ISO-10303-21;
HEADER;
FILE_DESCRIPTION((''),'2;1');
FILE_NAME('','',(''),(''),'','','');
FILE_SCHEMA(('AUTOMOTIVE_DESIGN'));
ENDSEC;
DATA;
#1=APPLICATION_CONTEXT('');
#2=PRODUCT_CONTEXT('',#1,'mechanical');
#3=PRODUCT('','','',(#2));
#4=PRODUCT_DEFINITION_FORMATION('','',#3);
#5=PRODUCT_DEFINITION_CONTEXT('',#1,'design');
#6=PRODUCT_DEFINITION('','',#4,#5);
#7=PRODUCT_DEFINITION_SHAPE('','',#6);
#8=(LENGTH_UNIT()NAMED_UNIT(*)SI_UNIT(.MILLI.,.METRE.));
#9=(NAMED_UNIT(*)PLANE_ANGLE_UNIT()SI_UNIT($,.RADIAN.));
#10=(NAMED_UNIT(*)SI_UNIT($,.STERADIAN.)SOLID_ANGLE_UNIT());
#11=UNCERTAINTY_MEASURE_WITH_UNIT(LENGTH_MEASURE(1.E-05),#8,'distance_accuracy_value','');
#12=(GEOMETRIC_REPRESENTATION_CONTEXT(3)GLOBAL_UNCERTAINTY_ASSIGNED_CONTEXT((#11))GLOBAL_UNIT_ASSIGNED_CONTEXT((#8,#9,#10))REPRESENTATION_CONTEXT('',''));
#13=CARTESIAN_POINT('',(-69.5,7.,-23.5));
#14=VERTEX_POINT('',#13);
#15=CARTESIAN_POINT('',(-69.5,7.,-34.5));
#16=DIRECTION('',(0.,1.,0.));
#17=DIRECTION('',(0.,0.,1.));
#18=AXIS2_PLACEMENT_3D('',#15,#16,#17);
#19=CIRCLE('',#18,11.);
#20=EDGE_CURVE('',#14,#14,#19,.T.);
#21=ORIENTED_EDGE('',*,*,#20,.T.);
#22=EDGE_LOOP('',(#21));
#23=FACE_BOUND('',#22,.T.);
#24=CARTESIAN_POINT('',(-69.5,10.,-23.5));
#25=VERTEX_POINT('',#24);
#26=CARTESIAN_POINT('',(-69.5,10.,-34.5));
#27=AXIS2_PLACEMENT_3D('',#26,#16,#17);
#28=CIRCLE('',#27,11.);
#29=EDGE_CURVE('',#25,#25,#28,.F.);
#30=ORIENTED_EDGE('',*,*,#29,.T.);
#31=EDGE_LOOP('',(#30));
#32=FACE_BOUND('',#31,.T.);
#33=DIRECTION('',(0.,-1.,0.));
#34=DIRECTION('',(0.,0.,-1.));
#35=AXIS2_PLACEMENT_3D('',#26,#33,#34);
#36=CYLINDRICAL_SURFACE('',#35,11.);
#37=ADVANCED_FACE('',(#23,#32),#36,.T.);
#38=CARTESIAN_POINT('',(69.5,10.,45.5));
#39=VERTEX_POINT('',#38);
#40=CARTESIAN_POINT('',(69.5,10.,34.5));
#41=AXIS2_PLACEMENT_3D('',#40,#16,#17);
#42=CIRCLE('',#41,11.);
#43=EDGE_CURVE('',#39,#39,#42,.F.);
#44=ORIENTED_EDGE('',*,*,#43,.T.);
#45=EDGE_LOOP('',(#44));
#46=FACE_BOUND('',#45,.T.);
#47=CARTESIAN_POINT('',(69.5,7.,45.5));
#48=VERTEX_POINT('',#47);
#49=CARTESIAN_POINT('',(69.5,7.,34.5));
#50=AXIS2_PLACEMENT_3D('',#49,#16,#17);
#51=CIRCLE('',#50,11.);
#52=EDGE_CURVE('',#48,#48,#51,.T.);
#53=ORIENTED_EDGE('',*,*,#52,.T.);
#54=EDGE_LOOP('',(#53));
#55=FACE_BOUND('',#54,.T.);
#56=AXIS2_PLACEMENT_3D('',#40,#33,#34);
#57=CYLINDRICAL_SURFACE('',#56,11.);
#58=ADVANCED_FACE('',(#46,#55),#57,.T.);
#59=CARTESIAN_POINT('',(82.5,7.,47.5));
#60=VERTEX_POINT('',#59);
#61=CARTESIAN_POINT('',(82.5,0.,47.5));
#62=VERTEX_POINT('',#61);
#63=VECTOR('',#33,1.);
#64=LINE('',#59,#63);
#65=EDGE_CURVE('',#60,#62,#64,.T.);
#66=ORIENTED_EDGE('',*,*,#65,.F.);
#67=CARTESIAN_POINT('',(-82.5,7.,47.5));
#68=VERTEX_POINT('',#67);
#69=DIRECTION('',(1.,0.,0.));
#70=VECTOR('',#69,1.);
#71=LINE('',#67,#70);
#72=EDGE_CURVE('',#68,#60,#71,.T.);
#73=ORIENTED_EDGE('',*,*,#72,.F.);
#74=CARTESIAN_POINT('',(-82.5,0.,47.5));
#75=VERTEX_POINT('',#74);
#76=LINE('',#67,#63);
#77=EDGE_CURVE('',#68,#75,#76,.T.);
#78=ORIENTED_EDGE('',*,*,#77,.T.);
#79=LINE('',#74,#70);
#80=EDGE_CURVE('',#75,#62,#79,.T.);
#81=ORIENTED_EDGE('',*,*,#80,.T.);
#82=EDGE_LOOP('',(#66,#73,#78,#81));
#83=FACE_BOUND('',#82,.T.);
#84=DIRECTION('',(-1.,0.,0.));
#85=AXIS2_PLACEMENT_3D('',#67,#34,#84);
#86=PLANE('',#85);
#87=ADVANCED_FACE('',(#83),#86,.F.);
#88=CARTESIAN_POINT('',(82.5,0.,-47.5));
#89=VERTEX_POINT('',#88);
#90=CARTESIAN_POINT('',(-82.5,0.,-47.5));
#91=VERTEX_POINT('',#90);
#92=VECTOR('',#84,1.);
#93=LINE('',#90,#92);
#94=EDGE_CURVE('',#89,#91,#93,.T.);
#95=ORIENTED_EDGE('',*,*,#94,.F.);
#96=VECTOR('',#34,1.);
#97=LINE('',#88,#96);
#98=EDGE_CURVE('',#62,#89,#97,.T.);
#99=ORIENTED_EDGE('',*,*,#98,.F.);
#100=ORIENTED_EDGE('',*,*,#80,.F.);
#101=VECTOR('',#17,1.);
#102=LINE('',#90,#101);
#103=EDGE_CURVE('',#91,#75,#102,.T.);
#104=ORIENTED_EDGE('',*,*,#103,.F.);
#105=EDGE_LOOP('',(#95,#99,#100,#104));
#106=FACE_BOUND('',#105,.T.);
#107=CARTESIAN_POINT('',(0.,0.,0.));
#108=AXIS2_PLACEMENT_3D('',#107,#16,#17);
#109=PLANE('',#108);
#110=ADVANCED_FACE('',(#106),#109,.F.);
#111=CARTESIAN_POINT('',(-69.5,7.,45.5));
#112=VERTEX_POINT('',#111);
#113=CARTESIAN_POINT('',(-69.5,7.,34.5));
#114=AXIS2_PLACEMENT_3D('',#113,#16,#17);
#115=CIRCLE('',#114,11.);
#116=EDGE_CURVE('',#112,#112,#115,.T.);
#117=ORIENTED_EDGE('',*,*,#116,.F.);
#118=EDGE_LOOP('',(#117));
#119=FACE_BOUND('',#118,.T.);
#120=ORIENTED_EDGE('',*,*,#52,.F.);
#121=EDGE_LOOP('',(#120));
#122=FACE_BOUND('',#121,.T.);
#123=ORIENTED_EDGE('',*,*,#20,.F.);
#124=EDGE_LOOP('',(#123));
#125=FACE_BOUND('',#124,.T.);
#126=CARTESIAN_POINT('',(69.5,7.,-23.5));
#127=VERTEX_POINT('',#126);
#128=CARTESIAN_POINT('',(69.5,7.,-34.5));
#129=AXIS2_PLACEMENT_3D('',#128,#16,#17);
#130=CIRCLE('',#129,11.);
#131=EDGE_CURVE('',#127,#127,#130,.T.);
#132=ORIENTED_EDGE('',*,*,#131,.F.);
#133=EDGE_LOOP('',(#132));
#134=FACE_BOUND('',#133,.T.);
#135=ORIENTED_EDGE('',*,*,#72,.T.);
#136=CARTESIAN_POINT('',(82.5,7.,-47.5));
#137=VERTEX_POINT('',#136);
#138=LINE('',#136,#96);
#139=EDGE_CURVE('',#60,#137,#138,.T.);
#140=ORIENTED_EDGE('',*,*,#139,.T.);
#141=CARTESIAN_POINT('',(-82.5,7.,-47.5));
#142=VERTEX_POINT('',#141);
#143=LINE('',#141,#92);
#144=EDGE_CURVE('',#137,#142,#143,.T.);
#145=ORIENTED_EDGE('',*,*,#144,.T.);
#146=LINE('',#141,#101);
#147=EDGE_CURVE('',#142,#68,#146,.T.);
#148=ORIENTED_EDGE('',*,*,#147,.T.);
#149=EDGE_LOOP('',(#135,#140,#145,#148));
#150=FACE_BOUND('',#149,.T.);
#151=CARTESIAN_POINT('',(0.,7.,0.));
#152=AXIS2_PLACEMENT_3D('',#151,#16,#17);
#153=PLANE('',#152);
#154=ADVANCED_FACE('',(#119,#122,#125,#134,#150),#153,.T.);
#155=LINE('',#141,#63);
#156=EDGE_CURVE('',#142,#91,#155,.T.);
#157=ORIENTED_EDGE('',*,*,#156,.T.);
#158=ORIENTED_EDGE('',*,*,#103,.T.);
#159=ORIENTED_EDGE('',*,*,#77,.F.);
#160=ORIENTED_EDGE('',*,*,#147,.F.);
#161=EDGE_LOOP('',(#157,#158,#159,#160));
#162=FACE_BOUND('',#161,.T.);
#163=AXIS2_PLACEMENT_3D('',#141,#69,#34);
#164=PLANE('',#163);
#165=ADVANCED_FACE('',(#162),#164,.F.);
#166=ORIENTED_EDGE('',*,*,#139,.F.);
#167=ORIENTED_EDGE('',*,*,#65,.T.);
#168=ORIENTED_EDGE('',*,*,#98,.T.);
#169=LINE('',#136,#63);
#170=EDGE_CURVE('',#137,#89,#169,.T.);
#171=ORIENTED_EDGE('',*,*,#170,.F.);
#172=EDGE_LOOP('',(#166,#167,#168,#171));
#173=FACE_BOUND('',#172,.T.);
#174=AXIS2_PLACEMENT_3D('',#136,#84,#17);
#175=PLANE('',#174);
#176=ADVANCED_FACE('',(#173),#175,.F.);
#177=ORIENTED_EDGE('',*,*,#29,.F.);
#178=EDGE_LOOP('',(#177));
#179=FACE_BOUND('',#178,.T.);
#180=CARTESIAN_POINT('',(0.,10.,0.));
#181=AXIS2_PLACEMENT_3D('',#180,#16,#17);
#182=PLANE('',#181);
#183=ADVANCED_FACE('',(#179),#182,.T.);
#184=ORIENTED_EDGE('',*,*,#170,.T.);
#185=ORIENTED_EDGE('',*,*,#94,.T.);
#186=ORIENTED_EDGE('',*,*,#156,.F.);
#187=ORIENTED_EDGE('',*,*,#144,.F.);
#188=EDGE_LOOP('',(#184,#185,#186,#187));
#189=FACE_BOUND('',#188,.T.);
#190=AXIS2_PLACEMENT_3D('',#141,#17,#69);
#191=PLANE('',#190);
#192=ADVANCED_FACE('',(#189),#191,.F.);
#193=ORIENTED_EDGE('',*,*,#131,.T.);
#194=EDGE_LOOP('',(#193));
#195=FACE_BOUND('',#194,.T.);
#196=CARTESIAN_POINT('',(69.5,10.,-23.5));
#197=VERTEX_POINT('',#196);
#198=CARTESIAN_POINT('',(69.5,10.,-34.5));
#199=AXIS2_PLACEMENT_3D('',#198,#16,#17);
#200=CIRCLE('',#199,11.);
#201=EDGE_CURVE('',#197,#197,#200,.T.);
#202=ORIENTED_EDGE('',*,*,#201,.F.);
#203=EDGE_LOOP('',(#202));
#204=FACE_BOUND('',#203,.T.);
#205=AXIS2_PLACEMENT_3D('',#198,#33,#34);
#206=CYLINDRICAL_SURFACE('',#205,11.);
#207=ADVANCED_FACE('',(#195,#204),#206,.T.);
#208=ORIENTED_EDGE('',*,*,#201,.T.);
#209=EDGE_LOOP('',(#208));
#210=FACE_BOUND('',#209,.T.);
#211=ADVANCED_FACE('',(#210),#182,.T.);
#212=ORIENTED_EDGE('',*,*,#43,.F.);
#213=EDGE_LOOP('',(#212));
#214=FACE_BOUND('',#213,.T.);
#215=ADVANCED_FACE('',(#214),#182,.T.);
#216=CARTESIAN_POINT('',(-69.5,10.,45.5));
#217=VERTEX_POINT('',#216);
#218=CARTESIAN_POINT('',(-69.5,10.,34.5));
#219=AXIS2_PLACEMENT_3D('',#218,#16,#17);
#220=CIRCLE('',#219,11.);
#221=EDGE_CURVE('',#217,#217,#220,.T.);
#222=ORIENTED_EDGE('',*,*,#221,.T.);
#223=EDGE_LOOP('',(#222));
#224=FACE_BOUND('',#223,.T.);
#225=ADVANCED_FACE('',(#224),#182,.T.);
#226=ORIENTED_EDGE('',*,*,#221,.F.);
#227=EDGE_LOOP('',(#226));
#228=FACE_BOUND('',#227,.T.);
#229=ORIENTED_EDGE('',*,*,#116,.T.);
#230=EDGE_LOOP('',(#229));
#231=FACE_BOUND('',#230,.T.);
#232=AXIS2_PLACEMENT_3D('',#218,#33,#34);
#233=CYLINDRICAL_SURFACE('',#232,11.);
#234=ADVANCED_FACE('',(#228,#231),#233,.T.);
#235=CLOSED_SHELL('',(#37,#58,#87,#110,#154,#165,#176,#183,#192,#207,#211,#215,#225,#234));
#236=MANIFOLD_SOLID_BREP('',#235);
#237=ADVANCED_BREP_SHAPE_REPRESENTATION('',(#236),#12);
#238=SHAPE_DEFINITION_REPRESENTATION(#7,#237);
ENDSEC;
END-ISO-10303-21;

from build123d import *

# Parameters (mm, degrees)
SKETCH_1_W      = 165
SKETCH_1_H      = 95
EXTRUDE_1_DEPTH = 7
SKETCH_2_R      = 11
EXTRUDE_2_DEPTH = 3


with BuildPart() as part:
    # 草图1 → 凸台-拉伸1 (new body)
    with BuildSketch(Plane(origin=(0, 0, 0), x_dir=(1, 0, 0), z_dir=(0, 1, 0))):
        Rectangle(SKETCH_1_W, SKETCH_1_H)
    extrude(amount=EXTRUDE_1_DEPTH)

    # 草图2 → 凸台-拉伸2 (add)
    with BuildSketch(Plane(origin=(0, 7, 0), x_dir=(1, 0, 0), z_dir=(0, 1, 0))):
        with Locations(Location((-69.5, 34.5, 0), (0, 0, 270))):
            Circle(SKETCH_2_R)
        with Locations(Location((-69.5, -34.5, 0), (0, 0, 270))):
            Circle(SKETCH_2_R)
        with Locations(Location((69.5, 34.5, 0), (0, 0, 270))):
            Circle(SKETCH_2_R)
        with Locations(Location((69.5, -34.5, 0), (0, 0, 270))):
            Circle(SKETCH_2_R)
    extrude(amount=EXTRUDE_2_DEPTH)


solid = part.part
